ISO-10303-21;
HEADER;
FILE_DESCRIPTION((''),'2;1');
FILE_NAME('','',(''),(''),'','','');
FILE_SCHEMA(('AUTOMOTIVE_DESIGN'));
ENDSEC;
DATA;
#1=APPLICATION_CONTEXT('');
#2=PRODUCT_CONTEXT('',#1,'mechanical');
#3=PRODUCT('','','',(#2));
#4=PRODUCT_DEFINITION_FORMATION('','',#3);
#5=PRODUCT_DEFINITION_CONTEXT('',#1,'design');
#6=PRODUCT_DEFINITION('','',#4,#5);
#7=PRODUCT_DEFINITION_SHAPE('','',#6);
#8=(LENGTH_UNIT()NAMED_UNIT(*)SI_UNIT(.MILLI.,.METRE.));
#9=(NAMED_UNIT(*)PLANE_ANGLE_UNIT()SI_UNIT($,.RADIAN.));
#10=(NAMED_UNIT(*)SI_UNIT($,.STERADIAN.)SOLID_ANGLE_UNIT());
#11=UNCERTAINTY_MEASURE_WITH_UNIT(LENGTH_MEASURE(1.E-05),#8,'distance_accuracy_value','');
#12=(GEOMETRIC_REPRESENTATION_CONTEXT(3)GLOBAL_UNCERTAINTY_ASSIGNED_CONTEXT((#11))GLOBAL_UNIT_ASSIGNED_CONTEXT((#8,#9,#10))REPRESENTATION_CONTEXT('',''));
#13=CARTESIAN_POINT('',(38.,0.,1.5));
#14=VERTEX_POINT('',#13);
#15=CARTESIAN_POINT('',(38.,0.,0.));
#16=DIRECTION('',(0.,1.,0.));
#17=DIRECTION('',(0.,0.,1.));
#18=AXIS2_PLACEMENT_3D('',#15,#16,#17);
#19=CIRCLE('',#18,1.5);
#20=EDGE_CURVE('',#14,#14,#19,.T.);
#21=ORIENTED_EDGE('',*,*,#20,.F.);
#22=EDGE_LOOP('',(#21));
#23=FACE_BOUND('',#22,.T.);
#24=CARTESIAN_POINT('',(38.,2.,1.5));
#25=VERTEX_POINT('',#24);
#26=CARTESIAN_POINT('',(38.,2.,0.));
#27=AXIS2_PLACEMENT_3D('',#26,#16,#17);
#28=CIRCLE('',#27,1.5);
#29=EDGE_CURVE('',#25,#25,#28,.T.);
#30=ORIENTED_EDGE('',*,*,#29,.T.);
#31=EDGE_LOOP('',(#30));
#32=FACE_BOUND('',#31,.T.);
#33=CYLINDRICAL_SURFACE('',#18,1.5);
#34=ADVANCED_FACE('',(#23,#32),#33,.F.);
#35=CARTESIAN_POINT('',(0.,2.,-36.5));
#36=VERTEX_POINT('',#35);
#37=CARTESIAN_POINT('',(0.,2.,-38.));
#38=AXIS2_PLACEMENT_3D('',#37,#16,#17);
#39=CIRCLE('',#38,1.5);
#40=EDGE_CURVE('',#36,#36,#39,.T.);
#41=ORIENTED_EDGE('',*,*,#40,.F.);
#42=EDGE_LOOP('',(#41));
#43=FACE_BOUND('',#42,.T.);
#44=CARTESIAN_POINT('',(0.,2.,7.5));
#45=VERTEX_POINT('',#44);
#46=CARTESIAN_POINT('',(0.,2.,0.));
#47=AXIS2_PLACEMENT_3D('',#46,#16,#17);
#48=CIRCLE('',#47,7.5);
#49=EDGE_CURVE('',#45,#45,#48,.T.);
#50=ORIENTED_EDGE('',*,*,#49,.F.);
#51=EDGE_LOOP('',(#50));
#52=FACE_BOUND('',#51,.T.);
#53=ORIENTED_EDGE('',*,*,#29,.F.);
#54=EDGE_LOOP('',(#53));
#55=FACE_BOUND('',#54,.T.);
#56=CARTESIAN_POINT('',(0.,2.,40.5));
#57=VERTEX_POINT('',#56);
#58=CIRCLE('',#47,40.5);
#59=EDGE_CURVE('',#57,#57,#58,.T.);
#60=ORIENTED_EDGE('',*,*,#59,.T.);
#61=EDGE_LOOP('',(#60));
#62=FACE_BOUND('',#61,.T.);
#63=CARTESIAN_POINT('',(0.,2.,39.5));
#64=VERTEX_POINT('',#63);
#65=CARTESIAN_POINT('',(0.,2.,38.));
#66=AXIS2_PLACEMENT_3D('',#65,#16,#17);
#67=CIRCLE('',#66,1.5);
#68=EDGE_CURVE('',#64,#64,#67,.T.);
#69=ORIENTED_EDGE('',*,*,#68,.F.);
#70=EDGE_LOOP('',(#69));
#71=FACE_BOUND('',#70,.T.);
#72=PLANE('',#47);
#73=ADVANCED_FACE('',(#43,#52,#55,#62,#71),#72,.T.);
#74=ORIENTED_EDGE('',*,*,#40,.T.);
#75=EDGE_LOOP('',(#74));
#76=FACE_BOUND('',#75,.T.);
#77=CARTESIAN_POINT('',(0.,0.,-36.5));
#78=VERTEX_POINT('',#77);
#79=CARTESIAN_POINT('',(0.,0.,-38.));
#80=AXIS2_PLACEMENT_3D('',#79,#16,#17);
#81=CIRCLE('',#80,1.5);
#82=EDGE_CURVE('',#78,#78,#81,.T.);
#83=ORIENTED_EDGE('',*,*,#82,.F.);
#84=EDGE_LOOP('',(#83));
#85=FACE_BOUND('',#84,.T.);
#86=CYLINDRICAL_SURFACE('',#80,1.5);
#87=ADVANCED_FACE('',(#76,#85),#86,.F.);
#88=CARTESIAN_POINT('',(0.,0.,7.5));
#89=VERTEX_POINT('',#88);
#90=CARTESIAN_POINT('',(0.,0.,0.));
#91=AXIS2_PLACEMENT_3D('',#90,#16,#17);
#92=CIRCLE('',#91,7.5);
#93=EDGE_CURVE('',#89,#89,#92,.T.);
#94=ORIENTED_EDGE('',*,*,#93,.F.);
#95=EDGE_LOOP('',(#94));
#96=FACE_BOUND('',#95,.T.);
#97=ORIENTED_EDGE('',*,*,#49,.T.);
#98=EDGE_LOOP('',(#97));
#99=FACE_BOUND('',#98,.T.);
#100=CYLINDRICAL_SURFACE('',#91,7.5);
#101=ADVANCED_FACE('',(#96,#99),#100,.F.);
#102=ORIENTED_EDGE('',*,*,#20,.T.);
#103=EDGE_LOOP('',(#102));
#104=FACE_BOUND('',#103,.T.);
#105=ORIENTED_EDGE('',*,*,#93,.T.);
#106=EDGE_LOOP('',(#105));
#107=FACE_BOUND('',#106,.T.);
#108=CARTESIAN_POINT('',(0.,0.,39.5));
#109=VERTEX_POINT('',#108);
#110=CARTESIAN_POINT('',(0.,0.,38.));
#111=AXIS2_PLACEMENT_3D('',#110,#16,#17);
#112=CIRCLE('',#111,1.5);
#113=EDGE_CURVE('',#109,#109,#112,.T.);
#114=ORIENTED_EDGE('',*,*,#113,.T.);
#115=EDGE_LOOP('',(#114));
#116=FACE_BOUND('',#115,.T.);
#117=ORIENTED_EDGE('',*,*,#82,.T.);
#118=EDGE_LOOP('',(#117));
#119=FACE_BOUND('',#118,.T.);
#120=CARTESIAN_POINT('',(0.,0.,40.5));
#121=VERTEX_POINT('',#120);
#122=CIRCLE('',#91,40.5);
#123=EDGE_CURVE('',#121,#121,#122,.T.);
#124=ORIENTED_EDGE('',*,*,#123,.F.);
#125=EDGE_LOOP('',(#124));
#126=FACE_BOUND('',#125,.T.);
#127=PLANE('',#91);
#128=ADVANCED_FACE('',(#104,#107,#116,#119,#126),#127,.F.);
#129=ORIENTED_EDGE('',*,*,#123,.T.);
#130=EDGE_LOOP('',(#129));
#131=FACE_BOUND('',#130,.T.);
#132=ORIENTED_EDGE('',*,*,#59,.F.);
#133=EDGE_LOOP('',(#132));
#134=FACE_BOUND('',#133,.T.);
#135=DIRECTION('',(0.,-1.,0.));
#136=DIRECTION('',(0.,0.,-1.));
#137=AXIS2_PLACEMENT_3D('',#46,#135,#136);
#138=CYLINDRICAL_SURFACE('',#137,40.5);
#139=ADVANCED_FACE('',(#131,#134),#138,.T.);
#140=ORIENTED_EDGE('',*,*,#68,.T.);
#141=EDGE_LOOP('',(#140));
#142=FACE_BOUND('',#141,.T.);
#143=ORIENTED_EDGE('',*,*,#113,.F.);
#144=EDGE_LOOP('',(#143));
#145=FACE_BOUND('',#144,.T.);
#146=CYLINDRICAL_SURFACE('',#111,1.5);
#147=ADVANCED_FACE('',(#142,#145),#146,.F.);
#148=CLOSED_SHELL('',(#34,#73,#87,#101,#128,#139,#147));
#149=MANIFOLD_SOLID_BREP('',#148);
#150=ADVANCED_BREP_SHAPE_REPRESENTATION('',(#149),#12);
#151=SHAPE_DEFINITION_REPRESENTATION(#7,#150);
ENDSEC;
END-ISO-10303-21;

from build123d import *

# Parameters (mm, degrees)
SKETCH1_R           = 40.5
BOSS_EXTRUDE1_DEPTH = 2
SKETCH2_R           = 1.5
CUT_EXTRUDE1_DEPTH  = 2
SKETCH3_R           = 7.5
CUT_EXTRUDE2_DEPTH  = 2


with BuildPart() as part:
    # Sketch1 → Boss-Extrude1 (new body)
    with BuildSketch(Plane(origin=(0, 0, 0), x_dir=(1, 0, 0), z_dir=(0, 1, 0))):
        with Locations(Location((0, 0, 0), (0, 0, 270))):
            Circle(SKETCH1_R)
    extrude(amount=BOSS_EXTRUDE1_DEPTH)

    # Sketch2 → Cut-Extrude1 (cut)
    with BuildSketch(Plane(origin=(0, 2, 0), x_dir=(1, 0, 0), z_dir=(0, 1, 0))):
        with Locations(Location((0, 38, 0), (0, 0, 270))):
            Circle(SKETCH2_R)
        with Locations(Location((38, 0, 0), (0, 0, 270))):
            Circle(SKETCH2_R)
        with Locations(Location((0, -38, 0), (0, 0, 270))):
            Circle(SKETCH2_R)
    extrude(amount=-CUT_EXTRUDE1_DEPTH, mode=Mode.SUBTRACT)

    # Sketch3 → Cut-Extrude2 (cut)
    with BuildSketch(Plane(origin=(0, 2, 0), x_dir=(1, 0, 0), z_dir=(0, 1, 0))):
        with Locations(Location((0, 0, 0), (0, 0, 270))):
            Circle(SKETCH3_R)
    extrude(amount=-CUT_EXTRUDE2_DEPTH, mode=Mode.SUBTRACT)


solid = part.part
